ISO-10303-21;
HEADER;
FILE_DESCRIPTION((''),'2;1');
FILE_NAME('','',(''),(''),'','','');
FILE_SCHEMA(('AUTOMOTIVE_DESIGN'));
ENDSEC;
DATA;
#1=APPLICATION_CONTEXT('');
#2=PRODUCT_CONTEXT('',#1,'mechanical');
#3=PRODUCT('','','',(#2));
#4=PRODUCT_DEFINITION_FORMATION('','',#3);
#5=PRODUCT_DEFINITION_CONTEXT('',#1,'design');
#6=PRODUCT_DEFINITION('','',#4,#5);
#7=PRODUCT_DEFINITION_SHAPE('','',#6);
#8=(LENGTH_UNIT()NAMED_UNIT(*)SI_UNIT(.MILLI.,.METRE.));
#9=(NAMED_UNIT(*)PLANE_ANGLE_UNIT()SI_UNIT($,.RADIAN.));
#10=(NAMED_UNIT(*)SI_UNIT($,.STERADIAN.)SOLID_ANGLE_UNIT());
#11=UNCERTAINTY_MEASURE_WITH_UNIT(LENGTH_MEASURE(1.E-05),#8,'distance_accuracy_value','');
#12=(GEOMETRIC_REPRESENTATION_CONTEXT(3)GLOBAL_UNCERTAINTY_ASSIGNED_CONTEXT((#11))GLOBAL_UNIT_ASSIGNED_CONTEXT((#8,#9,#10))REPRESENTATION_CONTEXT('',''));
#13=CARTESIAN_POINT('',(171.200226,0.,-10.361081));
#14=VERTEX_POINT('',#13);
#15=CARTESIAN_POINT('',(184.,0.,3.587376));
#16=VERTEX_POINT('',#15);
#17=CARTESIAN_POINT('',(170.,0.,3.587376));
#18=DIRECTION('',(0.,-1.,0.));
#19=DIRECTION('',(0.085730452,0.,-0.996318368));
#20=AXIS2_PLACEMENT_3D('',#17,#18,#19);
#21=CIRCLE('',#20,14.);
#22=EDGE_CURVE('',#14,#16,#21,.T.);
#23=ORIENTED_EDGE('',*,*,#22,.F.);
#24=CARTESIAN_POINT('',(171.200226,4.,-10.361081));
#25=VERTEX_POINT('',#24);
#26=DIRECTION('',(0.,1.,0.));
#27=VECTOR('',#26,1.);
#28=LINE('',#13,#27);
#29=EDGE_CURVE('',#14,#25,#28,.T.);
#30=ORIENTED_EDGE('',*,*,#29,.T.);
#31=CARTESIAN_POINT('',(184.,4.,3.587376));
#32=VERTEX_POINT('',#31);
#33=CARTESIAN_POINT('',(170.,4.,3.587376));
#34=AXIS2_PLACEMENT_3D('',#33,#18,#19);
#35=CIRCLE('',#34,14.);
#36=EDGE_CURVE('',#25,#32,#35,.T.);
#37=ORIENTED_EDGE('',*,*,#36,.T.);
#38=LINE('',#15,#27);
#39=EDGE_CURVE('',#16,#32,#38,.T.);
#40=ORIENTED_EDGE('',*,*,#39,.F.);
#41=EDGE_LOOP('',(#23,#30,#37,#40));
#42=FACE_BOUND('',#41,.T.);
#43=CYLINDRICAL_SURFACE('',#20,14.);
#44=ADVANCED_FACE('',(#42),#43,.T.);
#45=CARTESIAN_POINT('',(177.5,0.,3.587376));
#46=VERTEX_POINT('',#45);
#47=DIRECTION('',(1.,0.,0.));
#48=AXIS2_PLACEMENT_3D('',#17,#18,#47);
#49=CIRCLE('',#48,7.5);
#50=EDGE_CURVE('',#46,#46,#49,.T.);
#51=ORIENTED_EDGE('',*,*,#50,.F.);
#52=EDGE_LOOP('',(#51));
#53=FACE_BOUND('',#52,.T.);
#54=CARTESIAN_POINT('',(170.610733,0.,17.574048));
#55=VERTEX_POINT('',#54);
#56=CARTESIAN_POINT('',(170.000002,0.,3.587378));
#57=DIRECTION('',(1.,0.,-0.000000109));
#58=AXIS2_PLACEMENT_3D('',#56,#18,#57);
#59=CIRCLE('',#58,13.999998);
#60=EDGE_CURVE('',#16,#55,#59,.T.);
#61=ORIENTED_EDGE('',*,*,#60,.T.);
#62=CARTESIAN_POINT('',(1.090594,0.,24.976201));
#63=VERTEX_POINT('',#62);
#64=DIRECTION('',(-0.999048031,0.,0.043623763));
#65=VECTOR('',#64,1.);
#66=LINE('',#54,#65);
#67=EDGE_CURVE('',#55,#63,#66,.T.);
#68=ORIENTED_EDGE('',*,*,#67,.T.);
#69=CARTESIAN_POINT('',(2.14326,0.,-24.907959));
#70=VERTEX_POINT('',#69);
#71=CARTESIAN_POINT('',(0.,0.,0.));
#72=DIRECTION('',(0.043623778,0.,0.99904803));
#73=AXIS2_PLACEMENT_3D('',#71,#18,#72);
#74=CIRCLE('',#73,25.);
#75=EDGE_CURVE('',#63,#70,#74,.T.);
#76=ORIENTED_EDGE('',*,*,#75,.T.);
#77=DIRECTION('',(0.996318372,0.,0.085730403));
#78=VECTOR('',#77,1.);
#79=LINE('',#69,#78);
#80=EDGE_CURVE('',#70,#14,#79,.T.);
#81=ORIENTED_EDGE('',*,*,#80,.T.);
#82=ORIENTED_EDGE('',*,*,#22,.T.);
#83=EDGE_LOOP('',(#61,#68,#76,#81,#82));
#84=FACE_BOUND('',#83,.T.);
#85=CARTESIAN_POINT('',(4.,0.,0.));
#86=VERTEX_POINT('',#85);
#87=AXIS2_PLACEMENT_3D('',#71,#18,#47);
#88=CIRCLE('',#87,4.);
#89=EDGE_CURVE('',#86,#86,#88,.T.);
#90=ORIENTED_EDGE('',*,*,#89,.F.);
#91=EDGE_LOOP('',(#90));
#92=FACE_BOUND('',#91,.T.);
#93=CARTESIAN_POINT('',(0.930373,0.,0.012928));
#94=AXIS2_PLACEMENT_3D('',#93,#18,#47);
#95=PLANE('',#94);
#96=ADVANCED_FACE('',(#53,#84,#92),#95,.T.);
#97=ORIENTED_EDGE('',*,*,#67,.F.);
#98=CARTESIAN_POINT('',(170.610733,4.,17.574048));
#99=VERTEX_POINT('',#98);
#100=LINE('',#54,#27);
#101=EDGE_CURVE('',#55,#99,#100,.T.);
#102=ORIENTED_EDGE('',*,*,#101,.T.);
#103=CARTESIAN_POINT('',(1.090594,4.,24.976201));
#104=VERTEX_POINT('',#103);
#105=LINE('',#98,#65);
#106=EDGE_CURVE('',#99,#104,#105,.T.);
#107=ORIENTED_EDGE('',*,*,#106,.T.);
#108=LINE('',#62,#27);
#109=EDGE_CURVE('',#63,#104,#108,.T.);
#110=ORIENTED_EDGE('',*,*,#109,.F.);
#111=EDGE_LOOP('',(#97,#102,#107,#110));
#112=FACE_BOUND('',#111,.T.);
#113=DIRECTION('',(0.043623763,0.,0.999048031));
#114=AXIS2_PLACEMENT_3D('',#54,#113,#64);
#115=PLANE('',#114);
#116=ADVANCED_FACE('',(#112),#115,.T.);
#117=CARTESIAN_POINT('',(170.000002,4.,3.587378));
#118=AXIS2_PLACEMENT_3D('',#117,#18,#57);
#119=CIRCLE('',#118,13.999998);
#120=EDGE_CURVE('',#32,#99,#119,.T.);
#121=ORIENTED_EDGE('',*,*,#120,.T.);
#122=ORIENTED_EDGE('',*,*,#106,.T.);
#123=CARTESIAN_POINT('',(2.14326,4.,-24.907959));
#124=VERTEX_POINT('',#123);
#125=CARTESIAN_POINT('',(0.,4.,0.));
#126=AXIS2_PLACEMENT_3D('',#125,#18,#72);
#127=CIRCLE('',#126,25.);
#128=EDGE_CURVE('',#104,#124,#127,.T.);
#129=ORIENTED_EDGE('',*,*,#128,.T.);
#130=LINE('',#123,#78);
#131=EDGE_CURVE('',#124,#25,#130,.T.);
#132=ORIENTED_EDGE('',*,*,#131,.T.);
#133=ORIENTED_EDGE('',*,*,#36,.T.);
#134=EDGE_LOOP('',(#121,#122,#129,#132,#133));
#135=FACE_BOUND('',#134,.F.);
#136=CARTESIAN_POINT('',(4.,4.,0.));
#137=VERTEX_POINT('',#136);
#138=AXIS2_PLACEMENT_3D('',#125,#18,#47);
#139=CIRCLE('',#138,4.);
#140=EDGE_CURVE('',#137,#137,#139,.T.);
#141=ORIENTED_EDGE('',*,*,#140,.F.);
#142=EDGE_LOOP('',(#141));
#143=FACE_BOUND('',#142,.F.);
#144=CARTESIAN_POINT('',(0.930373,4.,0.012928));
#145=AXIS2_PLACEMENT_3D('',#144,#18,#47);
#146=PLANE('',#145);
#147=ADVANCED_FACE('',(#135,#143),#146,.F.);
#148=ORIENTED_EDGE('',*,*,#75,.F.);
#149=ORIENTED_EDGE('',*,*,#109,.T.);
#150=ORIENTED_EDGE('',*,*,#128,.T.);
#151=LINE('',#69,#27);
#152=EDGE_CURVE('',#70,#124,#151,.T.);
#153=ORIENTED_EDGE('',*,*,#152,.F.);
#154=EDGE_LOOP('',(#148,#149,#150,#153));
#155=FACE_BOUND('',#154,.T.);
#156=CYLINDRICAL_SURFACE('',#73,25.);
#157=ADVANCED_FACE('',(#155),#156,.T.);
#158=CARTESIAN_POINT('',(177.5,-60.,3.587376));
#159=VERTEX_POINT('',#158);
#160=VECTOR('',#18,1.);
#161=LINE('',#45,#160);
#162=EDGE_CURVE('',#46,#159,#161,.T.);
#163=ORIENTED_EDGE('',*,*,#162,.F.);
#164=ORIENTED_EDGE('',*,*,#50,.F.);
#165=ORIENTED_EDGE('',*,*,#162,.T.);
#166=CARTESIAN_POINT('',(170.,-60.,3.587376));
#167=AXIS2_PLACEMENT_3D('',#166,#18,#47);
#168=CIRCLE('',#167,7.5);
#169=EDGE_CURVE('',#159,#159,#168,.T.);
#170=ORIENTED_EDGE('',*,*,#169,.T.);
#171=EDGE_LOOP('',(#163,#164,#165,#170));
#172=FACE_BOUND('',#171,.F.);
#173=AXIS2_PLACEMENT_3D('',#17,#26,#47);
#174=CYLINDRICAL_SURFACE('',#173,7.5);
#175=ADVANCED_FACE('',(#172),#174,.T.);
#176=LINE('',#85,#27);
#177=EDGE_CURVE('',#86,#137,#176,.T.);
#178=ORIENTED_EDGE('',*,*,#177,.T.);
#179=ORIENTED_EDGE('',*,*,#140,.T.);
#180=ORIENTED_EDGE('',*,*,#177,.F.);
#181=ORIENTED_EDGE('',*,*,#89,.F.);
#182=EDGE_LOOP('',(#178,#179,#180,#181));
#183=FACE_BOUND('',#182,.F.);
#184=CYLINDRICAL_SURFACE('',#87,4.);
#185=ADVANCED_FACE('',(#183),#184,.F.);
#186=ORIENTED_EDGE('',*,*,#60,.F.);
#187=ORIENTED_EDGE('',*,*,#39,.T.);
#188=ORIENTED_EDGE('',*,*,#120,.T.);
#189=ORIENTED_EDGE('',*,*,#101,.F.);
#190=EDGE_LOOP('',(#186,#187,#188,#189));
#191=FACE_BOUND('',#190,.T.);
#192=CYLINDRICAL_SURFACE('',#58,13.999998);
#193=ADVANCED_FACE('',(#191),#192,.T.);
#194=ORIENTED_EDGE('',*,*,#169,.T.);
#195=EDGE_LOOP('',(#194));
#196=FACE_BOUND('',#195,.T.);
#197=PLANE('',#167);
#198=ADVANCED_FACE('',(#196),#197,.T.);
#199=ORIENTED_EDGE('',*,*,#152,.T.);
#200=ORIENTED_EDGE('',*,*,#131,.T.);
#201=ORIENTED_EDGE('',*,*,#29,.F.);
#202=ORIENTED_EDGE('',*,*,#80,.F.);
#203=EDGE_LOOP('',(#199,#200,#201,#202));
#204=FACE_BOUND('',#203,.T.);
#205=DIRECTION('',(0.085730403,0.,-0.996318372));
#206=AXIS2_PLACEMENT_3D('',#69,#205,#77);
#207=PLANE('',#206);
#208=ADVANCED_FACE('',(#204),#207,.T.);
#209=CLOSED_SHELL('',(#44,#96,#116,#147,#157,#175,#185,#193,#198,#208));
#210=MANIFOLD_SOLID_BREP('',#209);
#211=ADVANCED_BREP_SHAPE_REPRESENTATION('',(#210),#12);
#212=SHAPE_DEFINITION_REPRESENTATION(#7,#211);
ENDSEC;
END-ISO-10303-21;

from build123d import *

# Parameters (mm, degrees)
F0_R     = 4
F0_R_2   = 7.5
F1_DEPTH = 4
F2_DEPTH = 60


with BuildPart() as f1:
    # F0 (on Front) → F1 (new body)
    with BuildSketch(Plane.XZ):
        with BuildLine():
            ThreePointArc((2.14326, -24.907959), (18.419847, -16.902936), (25, 0))
            ThreePointArc((25, 0), (18.059137, 17.287787), (1.090594, 24.976201))
            ThreePointArc((1.090594, 24.976201), (-24.994436, -0.527438), (2.14326, -24.907959))
        make_face()
        Circle(F0_R, mode=Mode.SUBTRACT)
        with BuildLine():
            ThreePointArc((1.090594, 24.976201), (18.059137, 17.287787), (25, 0))
            ThreePointArc((25, 0), (18.419847, -16.902936), (2.14326, -24.907959))
            Line((2.14326, -24.907959), (171.200226, -10.361081))
            ThreePointArc((171.200226, -10.361081), (156.003116, 3.292011), (170.610733, 17.574048))
            Line((170.610733, 17.574048), (1.090594, 24.976201))
        make_face()
        with BuildLine():
            ThreePointArc((184, 3.587376), (180.113117, 13.268537), (170.610733, 17.574048))
            ThreePointArc((170.610733, 17.574048), (156.003116, 3.292011), (171.200226, -10.361081))
            ThreePointArc((171.200226, -10.361081), (180.315114, -5.878268), (184, 3.587376))
        make_face()
        with Locations((170, 3.587376)):
            Circle(F0_R_2, mode=Mode.SUBTRACT)
        with Locations((170, 3.587376)):
            Circle(F0_R_2)
    extrude(amount=-F1_DEPTH)

    # F0 (on Front) → F2 (join)
    with BuildSketch(Plane.XZ):
        with Locations((170, 3.587376)):
            Circle(F0_R_2)
    extrude(amount=F2_DEPTH)


solid = f1.part
